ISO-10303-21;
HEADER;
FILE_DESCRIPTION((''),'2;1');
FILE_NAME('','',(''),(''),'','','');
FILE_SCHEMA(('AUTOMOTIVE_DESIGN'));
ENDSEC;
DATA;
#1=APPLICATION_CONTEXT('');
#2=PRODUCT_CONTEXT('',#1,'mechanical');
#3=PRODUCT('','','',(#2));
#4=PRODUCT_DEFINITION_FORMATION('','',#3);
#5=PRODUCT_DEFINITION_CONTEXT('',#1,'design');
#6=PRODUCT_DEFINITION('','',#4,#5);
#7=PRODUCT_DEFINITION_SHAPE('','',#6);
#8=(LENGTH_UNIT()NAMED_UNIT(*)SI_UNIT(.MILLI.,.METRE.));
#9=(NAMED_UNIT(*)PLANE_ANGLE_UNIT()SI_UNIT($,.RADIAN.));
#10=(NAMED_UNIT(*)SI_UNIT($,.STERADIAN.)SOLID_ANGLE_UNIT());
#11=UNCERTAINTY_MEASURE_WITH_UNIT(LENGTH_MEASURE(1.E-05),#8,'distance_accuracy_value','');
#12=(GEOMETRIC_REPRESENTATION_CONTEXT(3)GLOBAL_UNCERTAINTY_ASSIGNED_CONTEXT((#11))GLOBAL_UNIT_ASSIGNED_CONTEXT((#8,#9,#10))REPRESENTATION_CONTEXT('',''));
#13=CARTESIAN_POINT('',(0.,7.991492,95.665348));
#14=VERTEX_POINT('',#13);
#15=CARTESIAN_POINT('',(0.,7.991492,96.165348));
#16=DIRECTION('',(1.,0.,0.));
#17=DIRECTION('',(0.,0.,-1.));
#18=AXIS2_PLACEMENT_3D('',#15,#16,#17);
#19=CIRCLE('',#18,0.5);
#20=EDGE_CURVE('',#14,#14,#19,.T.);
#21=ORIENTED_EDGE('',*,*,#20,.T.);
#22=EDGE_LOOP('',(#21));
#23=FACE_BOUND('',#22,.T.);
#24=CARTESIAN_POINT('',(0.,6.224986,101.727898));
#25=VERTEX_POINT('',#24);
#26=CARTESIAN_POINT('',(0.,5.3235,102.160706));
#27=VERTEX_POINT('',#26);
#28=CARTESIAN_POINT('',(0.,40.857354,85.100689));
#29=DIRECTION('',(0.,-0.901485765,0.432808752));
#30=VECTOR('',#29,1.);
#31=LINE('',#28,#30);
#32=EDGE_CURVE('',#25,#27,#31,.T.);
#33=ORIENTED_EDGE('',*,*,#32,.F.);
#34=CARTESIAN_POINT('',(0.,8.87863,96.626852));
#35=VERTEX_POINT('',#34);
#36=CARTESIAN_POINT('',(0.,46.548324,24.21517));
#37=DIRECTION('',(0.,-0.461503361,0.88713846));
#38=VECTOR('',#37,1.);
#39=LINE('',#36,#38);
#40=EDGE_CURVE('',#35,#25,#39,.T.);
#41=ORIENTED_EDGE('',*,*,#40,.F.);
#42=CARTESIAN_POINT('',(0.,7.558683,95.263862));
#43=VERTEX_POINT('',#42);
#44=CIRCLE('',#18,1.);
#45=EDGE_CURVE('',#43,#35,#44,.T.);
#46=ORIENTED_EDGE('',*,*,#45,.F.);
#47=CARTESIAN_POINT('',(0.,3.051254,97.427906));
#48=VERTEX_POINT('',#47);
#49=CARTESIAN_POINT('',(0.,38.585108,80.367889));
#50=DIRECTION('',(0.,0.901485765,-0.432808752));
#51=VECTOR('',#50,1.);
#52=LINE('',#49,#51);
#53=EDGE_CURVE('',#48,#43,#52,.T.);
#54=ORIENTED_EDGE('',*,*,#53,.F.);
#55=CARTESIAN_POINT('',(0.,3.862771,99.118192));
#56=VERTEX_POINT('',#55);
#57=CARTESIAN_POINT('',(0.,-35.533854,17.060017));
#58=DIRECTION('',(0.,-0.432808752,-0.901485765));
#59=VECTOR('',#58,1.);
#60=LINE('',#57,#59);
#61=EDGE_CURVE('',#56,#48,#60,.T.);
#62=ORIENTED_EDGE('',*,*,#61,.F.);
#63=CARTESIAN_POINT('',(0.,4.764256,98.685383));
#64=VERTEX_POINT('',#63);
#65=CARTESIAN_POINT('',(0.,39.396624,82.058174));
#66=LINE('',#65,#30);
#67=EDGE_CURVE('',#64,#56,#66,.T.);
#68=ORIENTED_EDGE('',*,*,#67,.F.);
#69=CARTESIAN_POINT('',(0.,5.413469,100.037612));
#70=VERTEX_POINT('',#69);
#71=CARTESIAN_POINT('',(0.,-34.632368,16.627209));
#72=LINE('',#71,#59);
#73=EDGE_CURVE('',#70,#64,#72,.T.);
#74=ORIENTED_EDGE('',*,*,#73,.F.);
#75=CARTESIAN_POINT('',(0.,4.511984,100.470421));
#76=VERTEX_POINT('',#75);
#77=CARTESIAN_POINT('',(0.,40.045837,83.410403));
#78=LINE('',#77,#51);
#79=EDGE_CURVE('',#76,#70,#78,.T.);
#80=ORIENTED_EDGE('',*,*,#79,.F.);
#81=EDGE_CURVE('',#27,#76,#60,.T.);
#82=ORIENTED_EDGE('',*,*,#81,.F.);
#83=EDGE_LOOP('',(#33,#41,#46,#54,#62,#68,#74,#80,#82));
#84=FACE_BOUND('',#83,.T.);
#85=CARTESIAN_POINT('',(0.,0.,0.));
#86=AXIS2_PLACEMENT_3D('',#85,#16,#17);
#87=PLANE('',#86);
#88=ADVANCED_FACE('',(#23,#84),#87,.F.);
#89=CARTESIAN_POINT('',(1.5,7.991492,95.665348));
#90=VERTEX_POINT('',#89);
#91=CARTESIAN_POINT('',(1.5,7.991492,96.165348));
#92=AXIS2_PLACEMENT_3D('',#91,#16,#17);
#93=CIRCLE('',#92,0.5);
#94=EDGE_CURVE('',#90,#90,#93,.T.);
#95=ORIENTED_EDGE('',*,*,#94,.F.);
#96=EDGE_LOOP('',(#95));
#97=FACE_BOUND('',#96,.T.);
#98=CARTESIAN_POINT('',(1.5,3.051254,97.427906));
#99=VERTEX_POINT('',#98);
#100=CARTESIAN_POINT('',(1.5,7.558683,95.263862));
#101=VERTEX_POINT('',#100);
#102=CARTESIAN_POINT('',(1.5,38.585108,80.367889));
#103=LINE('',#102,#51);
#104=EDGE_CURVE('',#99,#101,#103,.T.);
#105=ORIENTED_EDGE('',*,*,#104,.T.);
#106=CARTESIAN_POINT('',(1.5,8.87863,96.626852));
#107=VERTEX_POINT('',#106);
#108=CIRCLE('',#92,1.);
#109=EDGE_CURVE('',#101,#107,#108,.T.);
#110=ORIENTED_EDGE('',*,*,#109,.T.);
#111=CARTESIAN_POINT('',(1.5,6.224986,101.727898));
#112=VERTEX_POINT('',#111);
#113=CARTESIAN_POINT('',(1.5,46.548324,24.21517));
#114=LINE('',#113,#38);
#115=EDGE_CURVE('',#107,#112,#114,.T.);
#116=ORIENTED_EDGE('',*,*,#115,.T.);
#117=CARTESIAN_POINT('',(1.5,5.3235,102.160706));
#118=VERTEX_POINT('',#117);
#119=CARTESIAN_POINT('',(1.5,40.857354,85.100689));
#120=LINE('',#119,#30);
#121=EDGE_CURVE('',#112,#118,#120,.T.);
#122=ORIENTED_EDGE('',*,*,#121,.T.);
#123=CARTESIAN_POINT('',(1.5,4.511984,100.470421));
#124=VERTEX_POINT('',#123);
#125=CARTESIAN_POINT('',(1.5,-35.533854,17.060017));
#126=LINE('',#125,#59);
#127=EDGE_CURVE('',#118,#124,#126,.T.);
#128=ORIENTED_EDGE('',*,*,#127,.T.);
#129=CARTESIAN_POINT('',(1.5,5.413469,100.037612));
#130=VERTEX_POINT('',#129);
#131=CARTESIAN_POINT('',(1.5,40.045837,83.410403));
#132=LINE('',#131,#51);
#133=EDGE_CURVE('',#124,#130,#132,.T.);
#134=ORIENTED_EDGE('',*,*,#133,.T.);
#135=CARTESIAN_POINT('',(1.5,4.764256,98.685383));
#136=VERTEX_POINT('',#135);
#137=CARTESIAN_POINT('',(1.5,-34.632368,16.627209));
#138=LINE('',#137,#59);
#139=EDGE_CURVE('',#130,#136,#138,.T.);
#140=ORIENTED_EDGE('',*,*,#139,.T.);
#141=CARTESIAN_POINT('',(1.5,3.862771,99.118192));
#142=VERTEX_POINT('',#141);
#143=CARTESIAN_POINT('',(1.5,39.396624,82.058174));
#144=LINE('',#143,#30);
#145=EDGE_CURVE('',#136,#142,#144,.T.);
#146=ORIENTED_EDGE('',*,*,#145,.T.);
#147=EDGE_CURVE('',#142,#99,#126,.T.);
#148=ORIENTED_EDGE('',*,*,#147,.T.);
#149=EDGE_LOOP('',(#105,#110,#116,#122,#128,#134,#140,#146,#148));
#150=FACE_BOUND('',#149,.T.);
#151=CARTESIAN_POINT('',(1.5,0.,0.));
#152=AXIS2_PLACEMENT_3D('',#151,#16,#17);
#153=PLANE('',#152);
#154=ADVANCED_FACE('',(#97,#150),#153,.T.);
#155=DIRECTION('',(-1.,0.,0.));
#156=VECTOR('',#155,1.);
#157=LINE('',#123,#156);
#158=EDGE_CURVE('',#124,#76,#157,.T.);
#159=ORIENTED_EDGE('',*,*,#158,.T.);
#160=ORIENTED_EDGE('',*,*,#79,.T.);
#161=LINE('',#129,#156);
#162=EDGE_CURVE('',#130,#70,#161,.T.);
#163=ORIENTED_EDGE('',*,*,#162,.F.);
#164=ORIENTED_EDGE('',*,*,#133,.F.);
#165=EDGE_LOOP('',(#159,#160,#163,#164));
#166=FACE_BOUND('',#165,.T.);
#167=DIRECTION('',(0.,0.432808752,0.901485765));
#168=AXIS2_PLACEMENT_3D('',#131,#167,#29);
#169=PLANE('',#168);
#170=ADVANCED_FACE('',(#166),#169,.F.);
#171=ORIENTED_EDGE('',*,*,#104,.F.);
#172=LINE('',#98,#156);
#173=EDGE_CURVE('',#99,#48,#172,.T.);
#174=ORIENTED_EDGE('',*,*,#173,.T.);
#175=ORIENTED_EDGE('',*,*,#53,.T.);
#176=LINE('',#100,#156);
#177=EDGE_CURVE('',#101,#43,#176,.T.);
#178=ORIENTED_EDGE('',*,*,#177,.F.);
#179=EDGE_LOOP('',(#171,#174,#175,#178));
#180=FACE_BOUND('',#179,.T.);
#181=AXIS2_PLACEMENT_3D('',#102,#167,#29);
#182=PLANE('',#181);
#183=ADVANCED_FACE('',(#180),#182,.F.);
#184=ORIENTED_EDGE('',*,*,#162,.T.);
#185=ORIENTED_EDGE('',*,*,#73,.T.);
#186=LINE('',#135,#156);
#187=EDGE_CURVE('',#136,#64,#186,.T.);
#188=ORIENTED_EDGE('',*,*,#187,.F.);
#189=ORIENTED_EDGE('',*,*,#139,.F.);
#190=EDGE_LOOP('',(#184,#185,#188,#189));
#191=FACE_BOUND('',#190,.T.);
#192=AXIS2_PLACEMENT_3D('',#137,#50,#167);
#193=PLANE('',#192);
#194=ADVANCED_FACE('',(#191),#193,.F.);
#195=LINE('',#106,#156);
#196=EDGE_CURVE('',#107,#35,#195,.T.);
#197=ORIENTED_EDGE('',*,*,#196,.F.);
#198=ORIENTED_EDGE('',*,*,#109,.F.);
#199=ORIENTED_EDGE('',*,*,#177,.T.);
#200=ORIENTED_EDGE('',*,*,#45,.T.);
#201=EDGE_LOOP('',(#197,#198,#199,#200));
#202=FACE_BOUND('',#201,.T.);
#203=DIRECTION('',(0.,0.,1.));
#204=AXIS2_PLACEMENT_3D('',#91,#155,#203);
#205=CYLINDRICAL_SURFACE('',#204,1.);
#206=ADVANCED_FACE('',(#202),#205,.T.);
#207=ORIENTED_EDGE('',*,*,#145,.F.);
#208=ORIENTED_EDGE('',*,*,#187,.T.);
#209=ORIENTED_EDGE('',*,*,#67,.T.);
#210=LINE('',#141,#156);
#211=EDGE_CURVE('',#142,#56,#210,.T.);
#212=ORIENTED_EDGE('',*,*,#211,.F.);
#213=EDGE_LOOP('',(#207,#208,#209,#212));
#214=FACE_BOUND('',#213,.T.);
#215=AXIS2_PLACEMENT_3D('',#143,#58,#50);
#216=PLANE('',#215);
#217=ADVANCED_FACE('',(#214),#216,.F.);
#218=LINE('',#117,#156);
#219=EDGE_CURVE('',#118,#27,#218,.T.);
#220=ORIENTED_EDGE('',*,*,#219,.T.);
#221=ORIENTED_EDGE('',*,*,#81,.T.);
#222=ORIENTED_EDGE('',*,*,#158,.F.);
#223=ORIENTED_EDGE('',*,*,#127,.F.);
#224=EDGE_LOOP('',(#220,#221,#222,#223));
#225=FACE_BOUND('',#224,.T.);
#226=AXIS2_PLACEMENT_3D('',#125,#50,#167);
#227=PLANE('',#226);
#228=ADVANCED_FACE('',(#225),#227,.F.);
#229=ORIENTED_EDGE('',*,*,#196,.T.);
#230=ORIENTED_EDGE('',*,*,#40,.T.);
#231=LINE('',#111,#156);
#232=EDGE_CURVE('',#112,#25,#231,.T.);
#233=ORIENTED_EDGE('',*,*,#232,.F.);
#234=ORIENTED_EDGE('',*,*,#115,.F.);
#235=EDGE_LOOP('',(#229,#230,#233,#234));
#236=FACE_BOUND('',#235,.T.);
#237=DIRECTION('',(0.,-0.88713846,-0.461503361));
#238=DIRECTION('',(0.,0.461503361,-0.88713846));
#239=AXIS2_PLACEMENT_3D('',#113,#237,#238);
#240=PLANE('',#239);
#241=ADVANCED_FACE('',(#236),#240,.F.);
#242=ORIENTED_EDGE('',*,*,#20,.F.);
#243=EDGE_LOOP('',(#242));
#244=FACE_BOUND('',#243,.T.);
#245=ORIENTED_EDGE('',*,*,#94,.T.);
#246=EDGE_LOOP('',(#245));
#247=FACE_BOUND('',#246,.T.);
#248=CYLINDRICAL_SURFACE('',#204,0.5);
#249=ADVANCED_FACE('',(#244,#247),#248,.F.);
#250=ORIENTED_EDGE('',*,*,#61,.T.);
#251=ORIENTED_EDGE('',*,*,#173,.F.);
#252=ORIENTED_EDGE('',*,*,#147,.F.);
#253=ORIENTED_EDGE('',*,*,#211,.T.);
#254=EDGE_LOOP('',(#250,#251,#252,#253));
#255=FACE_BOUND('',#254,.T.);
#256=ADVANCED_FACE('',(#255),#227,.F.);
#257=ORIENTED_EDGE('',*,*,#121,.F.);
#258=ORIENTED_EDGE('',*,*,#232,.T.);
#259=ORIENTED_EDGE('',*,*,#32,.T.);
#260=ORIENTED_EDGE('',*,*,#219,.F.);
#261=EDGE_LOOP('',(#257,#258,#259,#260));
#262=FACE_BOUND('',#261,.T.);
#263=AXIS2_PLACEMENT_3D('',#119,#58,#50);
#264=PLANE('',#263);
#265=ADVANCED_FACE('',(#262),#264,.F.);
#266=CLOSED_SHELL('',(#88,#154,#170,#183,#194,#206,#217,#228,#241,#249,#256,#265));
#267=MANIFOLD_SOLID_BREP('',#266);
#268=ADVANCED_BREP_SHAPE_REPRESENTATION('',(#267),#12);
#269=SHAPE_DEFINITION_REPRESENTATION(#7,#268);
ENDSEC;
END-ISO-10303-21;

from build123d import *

# Parameters (mm, degrees)
SKETCH1_R           = 0.5
BOSS_EXTRUDE1_DEPTH = 1.5


with BuildPart() as part:
    # Sketch1 → Boss-Extrude1 (new body)
    with BuildSketch(Plane(origin=(0, 0, 0), x_dir=(0, 0, -1), z_dir=(1, 0, 0))):
        with BuildLine():
            Line((-97.427906133, 3.051254101), (-95.263862375, 7.558682926))
            ThreePointArc((-95.263862375, 7.558682926), (-95.469674877, 8.709850021), (-96.626851501, 8.878630138))
            Line((-96.626851501, 8.878630138), (-101.727897648, 6.224985812))
            Line((-101.727897648, 6.224985812), (-102.1607064, 5.323500047))
            Line((-102.1607064, 5.323500047), (-100.47042059, 4.511983637))
            Line((-100.47042059, 4.511983637), (-100.037611839, 5.413469402))
            Line((-100.037611839, 5.413469402), (-98.685383191, 4.764256275))
            Line((-98.685383191, 4.764256275), (-99.118191943, 3.86277051))
            Line((-99.118191943, 3.86277051), (-97.427906133, 3.051254101))
        make_face()
        with Locations((-96.16534814, 7.991491677)):
            Circle(SKETCH1_R, mode=Mode.SUBTRACT)
    extrude(amount=BOSS_EXTRUDE1_DEPTH)


solid = part.part
